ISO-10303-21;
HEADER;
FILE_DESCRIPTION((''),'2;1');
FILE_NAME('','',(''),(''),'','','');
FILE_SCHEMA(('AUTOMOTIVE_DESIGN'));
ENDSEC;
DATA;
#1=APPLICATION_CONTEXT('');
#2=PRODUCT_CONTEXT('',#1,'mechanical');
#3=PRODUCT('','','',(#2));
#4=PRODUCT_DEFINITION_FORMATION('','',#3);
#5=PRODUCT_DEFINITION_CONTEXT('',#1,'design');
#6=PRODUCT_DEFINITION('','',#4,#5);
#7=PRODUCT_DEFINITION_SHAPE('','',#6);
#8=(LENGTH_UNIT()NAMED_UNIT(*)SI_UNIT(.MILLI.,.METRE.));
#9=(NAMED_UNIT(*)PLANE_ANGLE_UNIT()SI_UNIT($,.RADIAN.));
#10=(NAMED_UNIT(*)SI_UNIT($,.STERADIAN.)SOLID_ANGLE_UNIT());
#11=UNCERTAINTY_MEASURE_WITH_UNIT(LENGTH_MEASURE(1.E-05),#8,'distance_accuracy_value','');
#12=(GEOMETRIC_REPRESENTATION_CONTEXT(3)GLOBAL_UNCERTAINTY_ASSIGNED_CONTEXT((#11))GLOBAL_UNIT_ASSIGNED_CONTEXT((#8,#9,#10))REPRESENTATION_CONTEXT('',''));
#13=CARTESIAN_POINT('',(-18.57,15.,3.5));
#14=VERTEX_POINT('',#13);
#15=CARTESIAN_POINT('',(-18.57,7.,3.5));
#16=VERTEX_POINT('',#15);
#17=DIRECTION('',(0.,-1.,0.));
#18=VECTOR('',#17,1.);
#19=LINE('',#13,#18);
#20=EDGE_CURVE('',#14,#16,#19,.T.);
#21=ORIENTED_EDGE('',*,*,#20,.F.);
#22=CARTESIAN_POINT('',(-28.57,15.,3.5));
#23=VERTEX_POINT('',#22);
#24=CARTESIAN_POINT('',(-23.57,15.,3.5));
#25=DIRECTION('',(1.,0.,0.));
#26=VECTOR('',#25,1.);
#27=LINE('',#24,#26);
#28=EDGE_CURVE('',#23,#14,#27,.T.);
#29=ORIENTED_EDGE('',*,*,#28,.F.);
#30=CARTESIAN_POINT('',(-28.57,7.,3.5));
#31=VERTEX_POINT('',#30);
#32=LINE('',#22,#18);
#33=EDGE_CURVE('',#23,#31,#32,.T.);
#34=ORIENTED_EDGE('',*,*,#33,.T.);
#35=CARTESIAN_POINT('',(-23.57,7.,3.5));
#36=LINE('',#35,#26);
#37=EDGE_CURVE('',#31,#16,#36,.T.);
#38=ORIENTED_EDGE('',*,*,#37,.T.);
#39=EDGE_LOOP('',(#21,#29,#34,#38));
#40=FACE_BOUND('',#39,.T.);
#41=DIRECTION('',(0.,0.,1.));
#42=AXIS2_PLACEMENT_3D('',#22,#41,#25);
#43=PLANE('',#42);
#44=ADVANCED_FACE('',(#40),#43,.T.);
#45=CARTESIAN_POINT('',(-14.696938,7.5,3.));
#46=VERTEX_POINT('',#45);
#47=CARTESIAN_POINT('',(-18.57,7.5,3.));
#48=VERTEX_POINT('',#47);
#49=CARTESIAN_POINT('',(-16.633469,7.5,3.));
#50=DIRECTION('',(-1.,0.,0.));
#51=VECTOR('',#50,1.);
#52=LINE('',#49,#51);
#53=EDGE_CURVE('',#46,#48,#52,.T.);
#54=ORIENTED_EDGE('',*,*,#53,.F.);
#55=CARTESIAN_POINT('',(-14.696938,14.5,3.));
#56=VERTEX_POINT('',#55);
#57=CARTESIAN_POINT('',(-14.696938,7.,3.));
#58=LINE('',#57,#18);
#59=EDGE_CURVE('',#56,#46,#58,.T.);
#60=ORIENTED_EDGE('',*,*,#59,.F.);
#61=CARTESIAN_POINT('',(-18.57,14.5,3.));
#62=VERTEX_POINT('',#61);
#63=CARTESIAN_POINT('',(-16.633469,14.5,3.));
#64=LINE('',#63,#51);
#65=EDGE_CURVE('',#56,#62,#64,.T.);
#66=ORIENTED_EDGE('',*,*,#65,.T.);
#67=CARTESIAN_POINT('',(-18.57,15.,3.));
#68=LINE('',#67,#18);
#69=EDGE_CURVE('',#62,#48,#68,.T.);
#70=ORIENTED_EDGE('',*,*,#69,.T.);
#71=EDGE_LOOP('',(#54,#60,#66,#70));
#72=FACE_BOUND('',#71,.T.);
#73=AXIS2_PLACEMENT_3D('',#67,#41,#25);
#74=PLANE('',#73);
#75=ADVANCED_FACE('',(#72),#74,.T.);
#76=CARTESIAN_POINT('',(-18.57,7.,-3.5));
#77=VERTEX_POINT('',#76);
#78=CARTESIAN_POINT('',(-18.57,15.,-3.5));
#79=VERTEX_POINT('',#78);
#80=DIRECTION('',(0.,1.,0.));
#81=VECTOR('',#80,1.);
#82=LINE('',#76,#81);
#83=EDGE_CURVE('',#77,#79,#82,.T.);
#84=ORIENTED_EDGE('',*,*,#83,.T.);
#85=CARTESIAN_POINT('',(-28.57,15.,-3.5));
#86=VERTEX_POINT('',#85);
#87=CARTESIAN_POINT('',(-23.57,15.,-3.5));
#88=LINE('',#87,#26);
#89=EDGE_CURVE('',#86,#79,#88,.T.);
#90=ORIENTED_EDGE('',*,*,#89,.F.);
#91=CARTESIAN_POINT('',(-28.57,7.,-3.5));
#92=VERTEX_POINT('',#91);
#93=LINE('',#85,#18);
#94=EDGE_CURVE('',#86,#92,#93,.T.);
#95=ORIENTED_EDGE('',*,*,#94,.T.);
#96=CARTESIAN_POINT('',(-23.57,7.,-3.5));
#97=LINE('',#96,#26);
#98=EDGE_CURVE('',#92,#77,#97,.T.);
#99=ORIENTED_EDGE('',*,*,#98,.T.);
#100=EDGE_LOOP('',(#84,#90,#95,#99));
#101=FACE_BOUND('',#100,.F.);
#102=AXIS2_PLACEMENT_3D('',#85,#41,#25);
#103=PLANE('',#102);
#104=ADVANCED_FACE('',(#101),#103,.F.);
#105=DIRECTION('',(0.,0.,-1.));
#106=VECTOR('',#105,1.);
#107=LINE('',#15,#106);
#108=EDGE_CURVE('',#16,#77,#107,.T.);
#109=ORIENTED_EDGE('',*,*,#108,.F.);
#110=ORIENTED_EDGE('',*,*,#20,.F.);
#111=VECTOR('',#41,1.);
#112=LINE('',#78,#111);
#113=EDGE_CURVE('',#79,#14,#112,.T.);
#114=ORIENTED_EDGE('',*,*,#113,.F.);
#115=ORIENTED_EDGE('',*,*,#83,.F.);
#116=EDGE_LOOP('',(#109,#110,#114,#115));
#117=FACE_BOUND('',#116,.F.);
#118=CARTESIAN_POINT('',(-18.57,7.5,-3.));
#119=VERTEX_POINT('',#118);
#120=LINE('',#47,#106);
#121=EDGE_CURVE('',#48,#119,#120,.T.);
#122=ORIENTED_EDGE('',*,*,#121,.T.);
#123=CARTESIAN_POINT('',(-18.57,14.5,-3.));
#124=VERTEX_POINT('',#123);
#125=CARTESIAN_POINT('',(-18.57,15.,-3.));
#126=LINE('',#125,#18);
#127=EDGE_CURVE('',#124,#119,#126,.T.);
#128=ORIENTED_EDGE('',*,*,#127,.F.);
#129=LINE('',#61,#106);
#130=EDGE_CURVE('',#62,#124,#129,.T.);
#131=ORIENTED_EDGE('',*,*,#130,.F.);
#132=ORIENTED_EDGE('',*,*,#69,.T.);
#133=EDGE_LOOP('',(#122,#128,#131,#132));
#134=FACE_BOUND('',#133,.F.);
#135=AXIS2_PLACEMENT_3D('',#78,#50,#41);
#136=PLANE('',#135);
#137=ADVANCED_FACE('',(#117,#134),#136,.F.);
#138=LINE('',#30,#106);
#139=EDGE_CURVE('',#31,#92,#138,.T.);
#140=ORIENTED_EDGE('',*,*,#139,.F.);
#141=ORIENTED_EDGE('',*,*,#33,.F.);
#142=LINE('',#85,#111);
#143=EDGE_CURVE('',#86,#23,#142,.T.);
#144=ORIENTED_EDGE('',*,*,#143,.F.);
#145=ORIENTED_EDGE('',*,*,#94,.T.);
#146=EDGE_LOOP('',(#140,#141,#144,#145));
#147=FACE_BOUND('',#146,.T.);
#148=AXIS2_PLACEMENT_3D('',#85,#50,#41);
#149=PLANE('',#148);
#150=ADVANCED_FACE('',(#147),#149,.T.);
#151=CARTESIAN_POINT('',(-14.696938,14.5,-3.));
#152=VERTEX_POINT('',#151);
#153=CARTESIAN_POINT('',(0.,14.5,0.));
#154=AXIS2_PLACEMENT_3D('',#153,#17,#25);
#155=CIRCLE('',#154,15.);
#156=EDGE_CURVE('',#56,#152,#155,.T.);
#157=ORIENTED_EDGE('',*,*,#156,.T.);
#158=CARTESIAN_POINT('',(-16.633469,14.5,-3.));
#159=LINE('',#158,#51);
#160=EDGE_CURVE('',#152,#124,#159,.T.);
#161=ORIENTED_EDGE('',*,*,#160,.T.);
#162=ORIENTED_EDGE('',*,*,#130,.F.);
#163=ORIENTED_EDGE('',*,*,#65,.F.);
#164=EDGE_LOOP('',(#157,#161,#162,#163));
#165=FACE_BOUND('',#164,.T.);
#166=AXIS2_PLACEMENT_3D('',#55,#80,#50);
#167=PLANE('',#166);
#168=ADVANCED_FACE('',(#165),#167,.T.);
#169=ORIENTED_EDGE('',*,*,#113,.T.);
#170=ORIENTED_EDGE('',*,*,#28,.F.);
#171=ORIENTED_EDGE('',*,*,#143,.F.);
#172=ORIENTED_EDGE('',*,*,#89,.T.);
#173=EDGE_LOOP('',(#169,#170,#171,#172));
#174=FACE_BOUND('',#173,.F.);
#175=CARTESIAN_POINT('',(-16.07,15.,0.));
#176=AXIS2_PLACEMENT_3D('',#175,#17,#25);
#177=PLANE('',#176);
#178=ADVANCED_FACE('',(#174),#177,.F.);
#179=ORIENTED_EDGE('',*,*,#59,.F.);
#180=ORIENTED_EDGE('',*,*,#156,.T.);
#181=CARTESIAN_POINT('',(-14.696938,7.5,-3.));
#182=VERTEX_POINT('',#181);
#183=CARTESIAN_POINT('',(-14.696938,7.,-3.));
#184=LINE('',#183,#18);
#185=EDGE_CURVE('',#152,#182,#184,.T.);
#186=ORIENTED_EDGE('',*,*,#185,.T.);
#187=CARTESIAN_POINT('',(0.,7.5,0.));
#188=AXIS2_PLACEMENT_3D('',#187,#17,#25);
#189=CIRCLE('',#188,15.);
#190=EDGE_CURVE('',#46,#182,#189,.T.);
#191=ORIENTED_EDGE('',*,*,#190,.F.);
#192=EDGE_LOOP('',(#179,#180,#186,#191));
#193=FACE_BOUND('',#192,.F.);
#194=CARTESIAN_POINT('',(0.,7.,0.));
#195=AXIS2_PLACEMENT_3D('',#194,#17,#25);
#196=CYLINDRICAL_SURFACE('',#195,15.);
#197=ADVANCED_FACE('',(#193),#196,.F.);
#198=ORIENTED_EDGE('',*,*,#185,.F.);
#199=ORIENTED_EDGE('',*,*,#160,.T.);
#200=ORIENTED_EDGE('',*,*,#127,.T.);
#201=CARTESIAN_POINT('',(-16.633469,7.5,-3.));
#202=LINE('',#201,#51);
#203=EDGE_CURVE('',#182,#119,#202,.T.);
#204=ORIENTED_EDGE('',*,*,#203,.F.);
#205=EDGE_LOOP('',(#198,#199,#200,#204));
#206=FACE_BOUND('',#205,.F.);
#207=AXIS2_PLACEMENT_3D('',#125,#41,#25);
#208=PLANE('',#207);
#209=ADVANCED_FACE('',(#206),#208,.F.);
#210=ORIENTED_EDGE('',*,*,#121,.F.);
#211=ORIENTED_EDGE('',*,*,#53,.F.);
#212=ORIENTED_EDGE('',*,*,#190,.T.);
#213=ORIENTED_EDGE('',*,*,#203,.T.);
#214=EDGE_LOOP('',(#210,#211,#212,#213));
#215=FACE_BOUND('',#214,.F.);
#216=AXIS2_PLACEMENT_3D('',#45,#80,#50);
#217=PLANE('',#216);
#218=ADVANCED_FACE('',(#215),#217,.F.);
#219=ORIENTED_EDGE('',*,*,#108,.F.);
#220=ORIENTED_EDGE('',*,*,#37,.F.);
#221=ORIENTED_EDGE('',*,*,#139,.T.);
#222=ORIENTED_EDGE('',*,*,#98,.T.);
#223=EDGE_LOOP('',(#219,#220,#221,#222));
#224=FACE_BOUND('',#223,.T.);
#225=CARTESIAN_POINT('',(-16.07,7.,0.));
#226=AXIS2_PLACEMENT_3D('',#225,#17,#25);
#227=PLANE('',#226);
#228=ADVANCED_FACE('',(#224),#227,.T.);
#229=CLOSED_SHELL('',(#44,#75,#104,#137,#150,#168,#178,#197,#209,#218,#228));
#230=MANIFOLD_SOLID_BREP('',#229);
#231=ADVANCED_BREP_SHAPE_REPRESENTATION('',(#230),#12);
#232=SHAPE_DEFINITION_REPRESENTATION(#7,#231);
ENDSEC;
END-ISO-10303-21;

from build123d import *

# Parameters (mm, degrees)
SKETCH006_W     = 5
SKETCH006_H     = 6
SKETCH006_W_2   = 10
SKETCH006_H_2   = 7
SKETCH006_W_3   = 2.5
SKETCH006_H_3   = 1.5
PAD002_DEPTH    = 8
SKETCH007_R     = 15
POCKET004_DEPTH = 8.001
SKETCH008_W     = 2.5
SKETCH008_H     = 4.49
POCKET005_DEPTH = 4.251
SKETCH009_W     = 3.873062
SKETCH009_H     = 0.5
POCKET006_DEPTH = 6.501


with BuildPart() as part:
    # Sketch006 → Pad002 (new body)
    with BuildSketch(Plane.XZ):
        with Locations((-16.07, 0)):
            Rectangle(SKETCH006_W, SKETCH006_H)
        with Locations((-23.57, 0)):
            Rectangle(SKETCH006_W_2, SKETCH006_H_2)
        with Locations((-29.82, 0)):
            Rectangle(SKETCH006_W_3, SKETCH006_H_3)
    extrude(amount=PAD002_DEPTH)

    # Sketch007 (on Face14 of Pad002) → Pocket004 (cut, through all)
    with BuildSketch(Plane.XZ.offset(8)):
        Circle(SKETCH007_R)
    extrude(amount=-POCKET004_DEPTH, mode=Mode.SUBTRACT)

    # Sketch008 (on Face8 of Pocket004) → Pocket005 (cut, through all)
    with BuildSketch(Plane(origin=(0, 0, 0.75), x_dir=(-1, 0, 0), z_dir=(0, 0, 1))):
        with Locations((29.82, 5.755)):
            Rectangle(SKETCH008_W, SKETCH008_H)
        with Locations((29.82, 2.245)):
            Rectangle(SKETCH008_W, SKETCH008_H)
    extrude(amount=-POCKET005_DEPTH, mode=Mode.SUBTRACT)

    # Sketch009 (on Face8 of Pocket005) → Pocket006 (cut, through all)
    with BuildSketch(Plane(origin=(0, 0, 3), x_dir=(-1, 0, 0), z_dir=(0, 0, 1))):
        with Locations((16.633469, 7.75)):
            Rectangle(SKETCH009_W, SKETCH009_H)
        with Locations((16.633469, 0.25)):
            Rectangle(SKETCH009_W, SKETCH009_H)
    extrude(amount=-POCKET006_DEPTH, mode=Mode.SUBTRACT)


with BuildPart() as part_1:
    # Body002 placement: moved
    add(part.part.moved(Location((0, 15, 0))))


solid = part_1.part
